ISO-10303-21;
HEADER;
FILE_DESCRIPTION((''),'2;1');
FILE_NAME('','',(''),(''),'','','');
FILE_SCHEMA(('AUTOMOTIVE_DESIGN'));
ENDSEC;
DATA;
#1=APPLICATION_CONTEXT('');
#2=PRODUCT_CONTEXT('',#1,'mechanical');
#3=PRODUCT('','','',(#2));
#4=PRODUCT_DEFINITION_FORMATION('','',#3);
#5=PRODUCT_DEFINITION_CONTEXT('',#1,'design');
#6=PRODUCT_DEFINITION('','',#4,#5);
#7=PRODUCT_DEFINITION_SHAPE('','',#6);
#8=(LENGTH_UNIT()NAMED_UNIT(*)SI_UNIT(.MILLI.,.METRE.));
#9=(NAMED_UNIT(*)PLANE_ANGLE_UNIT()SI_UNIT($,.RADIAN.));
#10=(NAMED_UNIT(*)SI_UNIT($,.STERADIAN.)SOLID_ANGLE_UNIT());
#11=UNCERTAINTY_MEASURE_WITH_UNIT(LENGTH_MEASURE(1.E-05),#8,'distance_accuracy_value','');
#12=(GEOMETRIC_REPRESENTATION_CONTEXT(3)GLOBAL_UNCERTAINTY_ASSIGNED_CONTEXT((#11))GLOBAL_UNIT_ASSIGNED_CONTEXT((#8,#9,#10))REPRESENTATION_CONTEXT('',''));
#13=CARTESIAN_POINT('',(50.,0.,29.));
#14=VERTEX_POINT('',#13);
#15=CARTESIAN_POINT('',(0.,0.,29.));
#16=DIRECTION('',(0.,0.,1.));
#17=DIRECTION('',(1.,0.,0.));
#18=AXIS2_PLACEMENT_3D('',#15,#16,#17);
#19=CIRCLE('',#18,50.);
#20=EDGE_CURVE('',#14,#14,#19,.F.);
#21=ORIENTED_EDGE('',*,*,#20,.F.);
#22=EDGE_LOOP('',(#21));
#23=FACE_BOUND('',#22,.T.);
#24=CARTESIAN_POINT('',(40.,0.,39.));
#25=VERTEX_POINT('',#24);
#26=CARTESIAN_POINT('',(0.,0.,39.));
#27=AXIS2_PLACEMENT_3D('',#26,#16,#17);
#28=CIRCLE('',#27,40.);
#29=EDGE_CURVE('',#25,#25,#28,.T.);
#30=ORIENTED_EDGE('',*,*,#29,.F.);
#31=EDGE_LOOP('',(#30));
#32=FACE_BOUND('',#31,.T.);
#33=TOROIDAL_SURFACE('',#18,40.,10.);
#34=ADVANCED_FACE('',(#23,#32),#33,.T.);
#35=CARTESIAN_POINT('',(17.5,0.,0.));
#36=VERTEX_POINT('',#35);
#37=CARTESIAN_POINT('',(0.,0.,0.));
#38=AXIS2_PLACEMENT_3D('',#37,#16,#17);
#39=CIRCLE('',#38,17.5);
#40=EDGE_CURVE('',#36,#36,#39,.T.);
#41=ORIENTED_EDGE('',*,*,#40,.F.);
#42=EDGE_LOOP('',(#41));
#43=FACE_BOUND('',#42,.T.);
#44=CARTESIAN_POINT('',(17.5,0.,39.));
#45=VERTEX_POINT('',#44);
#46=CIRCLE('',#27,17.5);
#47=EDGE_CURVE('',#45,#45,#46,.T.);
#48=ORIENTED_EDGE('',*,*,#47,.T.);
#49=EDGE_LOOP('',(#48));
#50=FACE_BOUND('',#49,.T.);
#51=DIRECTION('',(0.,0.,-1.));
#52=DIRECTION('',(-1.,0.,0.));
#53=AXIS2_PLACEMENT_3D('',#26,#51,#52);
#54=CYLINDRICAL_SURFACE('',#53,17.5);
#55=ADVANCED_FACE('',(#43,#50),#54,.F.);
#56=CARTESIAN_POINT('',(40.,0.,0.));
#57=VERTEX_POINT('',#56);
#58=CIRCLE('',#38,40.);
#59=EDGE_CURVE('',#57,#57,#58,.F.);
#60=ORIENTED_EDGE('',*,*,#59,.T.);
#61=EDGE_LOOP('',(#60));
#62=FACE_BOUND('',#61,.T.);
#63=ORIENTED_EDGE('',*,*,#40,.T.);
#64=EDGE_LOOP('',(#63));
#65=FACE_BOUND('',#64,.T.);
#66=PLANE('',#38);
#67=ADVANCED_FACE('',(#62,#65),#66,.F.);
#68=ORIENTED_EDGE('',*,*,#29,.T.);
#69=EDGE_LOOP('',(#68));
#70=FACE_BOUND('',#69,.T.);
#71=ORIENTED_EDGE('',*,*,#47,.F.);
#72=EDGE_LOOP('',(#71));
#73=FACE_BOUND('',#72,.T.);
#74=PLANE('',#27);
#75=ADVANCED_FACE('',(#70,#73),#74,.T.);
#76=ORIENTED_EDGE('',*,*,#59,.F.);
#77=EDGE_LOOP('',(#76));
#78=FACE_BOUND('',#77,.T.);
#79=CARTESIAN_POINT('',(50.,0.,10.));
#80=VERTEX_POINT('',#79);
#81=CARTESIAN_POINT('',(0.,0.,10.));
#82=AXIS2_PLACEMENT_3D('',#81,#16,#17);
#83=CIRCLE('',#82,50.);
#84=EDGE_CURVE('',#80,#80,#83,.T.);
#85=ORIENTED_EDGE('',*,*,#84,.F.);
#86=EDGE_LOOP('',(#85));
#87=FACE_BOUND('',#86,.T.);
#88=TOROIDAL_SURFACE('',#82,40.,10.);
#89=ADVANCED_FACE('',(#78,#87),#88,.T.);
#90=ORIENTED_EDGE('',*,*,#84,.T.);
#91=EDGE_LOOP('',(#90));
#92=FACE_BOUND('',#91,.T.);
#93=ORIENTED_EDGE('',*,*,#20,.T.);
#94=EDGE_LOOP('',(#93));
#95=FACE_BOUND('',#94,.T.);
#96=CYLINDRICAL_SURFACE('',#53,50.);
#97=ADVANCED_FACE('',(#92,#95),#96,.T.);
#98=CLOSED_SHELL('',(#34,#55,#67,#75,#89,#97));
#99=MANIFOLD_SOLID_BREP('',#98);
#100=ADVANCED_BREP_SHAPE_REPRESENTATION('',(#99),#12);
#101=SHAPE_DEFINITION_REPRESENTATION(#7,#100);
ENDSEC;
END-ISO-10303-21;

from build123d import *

# Parameters (mm, degrees)
ESQUISSE1_R        = 50
ESQUISSE1_R_2      = 17.5
BOSS_EXTRU_1_DEPTH = 39
CONG_1_R           = 10


with BuildPart() as part:
    # Esquisse1 → Boss.-Extru.1 (new body)
    with BuildSketch(Plane.XY):
        Circle(ESQUISSE1_R)
        Circle(ESQUISSE1_R_2, mode=Mode.SUBTRACT)
    extrude(amount=BOSS_EXTRU_1_DEPTH)

    # Congé1
    cong_1_edges = [part.edges().sort_by_distance(p)[0] for p in [
        (-50, 0, 39),
        (-50, 0, 0),
    ]]
    fillet(cong_1_edges, radius=CONG_1_R)


solid = part.part
